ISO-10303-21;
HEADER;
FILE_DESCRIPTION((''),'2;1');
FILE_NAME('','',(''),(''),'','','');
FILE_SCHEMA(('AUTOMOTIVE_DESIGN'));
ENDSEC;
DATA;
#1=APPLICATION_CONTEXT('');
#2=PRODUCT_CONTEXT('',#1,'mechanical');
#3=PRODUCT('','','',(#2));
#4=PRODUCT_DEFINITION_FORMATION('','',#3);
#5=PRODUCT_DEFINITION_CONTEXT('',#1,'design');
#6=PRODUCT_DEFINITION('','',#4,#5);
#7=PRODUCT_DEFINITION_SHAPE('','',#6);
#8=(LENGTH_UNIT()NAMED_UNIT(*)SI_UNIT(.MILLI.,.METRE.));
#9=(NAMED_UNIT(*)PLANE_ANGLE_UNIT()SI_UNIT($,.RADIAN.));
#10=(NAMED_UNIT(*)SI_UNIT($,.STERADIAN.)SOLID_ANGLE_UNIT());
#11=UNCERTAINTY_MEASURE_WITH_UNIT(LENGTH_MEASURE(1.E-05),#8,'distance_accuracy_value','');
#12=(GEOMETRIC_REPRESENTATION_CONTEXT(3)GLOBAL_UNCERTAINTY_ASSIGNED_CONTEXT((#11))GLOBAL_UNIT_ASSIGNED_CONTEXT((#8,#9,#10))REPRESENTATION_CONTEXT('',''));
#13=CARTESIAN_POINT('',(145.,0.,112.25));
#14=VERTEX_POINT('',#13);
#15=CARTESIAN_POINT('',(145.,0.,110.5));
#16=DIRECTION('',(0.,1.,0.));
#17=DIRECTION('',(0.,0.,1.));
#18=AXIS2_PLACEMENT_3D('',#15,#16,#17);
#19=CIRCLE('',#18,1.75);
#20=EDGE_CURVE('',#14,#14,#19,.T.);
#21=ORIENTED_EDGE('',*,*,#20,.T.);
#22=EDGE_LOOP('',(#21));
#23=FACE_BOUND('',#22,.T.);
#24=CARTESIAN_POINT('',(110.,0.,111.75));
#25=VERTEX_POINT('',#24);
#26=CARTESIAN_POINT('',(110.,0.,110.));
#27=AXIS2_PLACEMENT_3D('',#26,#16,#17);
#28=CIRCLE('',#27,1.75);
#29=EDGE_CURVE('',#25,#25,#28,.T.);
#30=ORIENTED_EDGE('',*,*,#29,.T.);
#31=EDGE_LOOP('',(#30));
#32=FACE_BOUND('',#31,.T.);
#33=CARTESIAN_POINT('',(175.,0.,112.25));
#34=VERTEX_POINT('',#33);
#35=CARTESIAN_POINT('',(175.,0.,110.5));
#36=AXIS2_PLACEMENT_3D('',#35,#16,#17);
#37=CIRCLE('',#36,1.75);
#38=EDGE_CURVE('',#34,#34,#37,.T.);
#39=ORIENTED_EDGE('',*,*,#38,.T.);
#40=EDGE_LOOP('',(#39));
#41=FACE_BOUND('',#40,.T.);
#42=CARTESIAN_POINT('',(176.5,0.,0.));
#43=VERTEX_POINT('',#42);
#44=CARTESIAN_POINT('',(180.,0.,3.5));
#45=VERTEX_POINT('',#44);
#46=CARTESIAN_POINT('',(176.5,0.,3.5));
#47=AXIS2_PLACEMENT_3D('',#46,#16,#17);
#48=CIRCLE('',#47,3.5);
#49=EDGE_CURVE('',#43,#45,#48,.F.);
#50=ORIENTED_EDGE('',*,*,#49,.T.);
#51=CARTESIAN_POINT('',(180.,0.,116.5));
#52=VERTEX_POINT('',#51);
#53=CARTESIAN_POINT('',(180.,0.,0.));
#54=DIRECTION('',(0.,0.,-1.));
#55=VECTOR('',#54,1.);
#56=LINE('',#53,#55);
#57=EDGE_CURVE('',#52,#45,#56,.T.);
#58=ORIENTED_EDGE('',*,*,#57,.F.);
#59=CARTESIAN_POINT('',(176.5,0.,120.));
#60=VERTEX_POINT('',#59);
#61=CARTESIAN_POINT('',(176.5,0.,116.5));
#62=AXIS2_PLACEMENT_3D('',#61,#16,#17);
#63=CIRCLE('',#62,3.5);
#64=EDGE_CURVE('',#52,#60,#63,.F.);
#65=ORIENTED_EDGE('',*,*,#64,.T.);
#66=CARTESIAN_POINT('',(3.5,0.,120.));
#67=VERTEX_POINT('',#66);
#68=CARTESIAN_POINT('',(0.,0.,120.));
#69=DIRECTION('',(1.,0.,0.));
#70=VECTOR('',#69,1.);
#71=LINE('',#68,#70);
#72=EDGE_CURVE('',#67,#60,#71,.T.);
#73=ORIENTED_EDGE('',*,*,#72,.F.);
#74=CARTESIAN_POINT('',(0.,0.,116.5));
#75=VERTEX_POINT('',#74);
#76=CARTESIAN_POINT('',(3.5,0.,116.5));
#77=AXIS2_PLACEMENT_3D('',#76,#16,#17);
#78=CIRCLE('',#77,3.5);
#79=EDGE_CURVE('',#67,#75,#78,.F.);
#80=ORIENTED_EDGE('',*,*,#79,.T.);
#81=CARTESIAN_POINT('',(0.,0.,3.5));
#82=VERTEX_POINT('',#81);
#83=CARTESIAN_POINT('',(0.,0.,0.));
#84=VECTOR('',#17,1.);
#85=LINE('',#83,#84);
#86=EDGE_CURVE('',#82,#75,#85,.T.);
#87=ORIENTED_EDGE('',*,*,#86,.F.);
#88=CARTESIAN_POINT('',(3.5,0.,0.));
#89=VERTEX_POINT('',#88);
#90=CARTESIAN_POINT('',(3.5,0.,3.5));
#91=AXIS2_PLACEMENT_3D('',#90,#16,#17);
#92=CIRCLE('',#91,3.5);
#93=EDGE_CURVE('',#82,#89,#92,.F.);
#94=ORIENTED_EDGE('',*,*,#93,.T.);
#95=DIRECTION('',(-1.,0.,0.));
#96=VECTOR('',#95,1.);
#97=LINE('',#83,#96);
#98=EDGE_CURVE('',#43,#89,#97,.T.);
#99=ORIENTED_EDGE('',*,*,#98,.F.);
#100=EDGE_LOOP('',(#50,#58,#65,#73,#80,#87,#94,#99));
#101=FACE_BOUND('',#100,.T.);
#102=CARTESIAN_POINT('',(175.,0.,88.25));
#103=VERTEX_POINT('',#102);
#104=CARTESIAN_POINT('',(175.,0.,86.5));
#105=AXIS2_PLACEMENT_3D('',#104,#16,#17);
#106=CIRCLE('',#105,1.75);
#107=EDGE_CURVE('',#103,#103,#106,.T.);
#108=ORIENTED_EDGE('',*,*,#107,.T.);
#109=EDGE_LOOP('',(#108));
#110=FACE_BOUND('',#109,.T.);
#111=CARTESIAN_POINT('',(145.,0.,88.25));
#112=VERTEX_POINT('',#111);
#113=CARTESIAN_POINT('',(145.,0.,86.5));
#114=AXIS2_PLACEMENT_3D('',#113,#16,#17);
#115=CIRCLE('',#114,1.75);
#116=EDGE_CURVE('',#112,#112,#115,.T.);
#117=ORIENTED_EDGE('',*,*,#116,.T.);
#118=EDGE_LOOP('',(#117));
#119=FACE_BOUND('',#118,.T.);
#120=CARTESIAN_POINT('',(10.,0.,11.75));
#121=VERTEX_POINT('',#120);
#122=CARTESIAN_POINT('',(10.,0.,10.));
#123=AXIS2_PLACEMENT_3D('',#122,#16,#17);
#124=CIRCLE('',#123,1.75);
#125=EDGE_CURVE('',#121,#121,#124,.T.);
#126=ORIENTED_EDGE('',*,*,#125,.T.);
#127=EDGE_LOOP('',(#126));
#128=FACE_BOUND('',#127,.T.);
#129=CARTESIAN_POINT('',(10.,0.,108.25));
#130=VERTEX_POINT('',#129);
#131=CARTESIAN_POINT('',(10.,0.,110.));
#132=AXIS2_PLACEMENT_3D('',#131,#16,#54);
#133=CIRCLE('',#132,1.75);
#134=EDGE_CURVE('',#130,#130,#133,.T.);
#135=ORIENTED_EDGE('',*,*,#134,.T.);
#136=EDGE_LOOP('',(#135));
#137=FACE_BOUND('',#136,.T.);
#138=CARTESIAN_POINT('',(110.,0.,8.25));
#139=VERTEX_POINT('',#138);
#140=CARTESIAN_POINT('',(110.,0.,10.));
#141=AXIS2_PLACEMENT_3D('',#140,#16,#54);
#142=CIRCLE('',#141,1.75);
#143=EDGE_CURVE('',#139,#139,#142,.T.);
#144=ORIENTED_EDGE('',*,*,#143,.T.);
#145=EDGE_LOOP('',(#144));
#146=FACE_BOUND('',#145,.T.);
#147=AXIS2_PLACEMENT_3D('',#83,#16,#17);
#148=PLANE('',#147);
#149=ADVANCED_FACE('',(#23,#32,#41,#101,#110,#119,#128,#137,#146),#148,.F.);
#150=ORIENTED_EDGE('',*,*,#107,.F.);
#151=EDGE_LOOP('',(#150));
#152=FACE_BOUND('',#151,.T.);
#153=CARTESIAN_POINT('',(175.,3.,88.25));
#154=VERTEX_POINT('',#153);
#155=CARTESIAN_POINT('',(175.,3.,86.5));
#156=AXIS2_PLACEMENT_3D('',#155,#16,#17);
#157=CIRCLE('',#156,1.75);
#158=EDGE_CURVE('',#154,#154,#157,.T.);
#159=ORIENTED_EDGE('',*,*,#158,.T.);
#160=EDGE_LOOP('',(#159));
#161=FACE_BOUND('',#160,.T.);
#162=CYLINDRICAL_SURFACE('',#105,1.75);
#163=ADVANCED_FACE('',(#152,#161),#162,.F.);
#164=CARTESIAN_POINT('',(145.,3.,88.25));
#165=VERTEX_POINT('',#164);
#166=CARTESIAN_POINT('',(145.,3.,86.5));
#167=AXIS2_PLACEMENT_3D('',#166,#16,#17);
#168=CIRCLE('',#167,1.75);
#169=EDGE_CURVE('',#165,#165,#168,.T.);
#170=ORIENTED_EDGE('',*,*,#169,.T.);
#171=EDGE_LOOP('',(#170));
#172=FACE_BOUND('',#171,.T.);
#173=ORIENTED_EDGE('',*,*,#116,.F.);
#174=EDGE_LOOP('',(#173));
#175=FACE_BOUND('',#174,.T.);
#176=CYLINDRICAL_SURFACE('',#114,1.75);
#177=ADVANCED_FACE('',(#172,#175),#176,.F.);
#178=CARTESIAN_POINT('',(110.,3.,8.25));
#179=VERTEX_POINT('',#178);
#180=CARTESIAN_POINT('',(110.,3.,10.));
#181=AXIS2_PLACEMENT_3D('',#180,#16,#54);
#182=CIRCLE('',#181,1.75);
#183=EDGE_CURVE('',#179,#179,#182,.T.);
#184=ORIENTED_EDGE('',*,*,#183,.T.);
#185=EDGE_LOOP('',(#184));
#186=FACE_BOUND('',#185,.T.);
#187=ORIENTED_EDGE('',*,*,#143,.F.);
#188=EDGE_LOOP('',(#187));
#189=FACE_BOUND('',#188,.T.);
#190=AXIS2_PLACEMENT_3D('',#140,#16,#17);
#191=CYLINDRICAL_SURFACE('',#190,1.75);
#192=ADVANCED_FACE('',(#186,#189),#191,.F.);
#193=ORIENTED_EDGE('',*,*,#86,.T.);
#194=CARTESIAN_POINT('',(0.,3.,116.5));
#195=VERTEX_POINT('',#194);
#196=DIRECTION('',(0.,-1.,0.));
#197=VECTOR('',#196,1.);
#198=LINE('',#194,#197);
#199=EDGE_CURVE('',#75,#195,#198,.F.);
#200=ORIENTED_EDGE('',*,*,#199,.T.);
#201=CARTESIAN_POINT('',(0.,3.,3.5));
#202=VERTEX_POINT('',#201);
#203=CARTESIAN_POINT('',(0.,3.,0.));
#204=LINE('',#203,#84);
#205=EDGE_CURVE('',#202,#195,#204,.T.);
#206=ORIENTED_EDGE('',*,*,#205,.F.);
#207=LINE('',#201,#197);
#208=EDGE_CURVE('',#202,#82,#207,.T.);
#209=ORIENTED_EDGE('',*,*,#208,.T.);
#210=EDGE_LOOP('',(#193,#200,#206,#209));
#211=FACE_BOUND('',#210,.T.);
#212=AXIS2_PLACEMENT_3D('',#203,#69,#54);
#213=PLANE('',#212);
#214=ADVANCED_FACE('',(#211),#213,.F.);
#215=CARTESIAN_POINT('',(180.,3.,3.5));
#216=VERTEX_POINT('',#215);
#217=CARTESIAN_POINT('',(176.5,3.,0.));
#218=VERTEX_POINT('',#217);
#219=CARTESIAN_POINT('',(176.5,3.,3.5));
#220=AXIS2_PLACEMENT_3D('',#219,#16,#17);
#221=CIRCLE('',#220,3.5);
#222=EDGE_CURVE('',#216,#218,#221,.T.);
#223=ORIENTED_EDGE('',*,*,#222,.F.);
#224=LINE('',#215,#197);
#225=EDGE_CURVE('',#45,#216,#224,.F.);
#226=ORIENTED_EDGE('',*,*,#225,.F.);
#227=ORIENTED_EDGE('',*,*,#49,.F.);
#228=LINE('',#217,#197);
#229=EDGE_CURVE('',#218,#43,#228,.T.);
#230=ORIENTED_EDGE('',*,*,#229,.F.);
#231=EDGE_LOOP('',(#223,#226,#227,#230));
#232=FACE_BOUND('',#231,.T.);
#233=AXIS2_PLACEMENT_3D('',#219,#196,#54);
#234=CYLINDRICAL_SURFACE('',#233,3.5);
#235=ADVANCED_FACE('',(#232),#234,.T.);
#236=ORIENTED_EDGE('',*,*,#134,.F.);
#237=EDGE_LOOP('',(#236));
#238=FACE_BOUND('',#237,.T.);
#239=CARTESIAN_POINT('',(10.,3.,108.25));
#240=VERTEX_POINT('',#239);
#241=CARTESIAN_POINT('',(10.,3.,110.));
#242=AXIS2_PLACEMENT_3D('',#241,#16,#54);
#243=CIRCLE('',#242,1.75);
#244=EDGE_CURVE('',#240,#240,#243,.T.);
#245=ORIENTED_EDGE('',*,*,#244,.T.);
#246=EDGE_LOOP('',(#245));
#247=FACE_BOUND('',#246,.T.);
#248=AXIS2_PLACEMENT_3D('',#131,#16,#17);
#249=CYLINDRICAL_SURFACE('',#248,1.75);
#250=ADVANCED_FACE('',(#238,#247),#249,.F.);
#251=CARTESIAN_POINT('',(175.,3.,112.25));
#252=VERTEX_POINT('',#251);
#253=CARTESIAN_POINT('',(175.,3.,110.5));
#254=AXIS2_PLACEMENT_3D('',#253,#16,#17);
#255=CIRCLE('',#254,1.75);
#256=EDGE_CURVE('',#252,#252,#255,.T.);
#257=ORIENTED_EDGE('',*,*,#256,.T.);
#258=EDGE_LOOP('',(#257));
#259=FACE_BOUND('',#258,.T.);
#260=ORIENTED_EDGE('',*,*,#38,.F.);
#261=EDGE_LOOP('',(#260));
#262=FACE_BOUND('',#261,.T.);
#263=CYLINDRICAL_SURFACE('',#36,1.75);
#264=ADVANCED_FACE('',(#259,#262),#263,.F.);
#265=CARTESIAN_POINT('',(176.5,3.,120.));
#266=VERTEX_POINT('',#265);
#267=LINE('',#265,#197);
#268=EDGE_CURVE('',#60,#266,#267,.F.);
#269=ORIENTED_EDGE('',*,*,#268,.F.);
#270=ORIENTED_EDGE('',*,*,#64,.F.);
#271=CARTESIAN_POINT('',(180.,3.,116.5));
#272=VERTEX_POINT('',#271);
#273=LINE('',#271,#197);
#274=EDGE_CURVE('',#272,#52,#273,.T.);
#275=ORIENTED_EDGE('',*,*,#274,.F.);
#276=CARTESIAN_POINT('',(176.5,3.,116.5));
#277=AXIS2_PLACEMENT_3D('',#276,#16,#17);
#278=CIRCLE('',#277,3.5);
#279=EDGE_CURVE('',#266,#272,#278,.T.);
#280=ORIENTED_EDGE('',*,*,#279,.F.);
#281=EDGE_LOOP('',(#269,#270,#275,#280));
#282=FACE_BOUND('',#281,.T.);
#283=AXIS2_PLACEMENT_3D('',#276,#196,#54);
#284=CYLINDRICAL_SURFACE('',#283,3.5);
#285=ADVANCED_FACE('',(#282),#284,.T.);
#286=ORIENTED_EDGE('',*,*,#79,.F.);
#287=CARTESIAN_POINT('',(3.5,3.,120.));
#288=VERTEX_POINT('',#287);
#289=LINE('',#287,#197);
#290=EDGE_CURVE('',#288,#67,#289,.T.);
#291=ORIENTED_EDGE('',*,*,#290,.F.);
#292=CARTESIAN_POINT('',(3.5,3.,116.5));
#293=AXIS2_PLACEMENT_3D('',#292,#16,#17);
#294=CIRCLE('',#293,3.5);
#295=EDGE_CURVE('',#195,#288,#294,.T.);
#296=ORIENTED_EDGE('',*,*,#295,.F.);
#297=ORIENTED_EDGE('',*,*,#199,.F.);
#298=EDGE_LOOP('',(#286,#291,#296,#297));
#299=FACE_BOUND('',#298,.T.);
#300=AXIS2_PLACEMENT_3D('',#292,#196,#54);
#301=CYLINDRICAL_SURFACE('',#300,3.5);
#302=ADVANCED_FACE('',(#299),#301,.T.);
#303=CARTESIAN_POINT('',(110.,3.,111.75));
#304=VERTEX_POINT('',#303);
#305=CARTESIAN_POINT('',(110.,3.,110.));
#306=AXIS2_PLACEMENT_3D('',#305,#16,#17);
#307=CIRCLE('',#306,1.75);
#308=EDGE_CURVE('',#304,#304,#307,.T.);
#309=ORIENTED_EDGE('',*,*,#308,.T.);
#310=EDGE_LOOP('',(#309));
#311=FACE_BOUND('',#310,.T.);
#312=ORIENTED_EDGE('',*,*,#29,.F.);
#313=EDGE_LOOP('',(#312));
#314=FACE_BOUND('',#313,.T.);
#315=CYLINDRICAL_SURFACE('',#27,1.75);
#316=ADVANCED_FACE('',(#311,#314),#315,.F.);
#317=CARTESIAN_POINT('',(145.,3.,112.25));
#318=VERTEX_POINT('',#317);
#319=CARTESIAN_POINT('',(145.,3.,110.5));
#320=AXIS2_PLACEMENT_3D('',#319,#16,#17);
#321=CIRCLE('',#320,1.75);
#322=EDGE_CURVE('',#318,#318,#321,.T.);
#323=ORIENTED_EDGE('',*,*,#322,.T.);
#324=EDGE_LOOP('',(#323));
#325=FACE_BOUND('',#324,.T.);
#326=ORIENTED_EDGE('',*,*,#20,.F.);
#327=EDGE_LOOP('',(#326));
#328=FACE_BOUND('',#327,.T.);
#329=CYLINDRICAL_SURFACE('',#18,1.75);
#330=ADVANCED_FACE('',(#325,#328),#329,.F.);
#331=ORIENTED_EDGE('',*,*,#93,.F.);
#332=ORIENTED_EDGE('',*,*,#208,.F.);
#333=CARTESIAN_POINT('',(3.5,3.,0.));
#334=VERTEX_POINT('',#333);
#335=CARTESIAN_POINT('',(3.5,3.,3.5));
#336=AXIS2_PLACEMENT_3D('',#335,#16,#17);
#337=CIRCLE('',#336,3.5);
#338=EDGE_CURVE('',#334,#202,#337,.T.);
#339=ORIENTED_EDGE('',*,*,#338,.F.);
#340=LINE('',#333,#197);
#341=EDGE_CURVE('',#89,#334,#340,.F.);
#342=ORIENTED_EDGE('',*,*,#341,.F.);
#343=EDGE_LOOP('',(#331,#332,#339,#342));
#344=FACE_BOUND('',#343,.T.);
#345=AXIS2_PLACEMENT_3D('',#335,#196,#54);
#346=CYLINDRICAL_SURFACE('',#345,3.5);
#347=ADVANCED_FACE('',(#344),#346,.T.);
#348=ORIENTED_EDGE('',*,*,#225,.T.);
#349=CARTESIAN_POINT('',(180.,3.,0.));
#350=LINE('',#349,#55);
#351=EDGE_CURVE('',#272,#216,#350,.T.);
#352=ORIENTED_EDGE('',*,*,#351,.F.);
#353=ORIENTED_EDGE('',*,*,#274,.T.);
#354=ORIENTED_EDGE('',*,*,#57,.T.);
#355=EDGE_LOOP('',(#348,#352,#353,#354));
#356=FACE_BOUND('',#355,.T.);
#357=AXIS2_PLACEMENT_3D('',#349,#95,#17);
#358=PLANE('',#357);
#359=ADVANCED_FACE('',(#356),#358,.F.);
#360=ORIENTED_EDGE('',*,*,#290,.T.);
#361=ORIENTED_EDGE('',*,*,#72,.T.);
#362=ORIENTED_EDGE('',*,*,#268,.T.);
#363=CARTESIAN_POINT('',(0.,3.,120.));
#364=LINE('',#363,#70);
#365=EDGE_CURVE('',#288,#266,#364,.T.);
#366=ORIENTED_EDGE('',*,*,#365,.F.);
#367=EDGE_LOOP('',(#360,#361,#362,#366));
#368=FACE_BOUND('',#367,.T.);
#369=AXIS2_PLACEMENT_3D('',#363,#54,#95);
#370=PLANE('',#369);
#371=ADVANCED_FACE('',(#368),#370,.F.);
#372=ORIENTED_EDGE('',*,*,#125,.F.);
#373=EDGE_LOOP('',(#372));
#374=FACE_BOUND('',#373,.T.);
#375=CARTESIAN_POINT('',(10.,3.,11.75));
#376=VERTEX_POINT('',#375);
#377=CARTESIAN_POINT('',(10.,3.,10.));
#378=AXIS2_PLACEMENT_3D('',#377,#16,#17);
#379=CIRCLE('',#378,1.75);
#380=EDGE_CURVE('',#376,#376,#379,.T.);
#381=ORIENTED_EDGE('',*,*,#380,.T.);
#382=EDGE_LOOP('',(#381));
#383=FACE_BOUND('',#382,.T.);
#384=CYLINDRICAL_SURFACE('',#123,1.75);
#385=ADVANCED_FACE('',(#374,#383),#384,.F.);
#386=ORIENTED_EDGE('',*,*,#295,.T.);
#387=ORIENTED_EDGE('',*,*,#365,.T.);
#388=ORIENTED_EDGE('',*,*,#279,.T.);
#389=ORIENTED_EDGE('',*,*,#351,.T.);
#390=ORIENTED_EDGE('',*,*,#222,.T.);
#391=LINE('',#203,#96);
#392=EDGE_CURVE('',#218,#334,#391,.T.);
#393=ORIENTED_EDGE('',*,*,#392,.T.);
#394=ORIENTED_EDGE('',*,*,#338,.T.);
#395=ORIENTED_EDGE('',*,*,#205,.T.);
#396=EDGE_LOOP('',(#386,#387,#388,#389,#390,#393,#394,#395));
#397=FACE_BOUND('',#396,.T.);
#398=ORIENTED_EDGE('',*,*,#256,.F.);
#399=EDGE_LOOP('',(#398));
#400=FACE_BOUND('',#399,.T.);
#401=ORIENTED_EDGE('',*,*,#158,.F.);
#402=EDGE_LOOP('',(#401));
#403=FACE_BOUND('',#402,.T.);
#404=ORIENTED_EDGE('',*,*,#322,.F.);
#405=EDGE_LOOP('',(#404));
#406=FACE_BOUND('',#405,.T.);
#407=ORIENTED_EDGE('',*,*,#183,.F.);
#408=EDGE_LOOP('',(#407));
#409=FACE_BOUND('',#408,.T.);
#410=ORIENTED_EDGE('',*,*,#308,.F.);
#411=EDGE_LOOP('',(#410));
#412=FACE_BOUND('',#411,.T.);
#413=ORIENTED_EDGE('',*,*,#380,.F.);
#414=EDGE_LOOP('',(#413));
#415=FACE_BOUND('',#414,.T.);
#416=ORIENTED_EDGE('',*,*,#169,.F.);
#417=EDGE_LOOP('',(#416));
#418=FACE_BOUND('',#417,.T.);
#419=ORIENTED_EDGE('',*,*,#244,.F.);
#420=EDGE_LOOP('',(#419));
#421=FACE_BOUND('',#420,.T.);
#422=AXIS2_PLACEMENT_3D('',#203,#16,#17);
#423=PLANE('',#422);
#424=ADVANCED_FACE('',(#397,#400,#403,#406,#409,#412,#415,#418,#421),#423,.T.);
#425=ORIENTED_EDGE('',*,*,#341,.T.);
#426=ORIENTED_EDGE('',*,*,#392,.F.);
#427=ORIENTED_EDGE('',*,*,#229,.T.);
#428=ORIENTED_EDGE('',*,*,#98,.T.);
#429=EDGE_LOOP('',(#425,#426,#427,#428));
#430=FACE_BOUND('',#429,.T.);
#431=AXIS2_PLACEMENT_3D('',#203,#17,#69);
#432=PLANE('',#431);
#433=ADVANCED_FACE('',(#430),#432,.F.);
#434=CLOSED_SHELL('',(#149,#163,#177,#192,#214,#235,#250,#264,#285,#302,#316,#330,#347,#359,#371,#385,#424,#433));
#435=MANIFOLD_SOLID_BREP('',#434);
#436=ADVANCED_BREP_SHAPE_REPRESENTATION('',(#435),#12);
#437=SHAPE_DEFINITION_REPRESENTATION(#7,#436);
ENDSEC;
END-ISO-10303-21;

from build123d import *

# Parameters (mm, degrees)
SKETCH_2_W          = 180
SKETCH_2_H          = 120
EXTRUDE_1_DEPTH     = 3
FILLET_1_R          = 3.5
SKETCH_3_R          = 1.75
CUT_EXTRUDE_1_DEPTH = 4
SKETCH_4_R          = 1.75
CUT_EXTRUDE_2_DEPTH = 4


with BuildPart() as part:
    # 草图2 → 凸台-拉伸1 (new body)
    with BuildSketch(Plane(origin=(0, 0, 0), x_dir=(1, 0, 0), z_dir=(0, 1, 0))):
        with Locations((90, -60)):
            Rectangle(SKETCH_2_W, SKETCH_2_H)
    extrude(amount=EXTRUDE_1_DEPTH)

    # 圆角1
    fillet_1_edges = [part.edges().sort_by_distance(p)[0] for p in [
        (0, 1.5, 0),
        (180, 1.5, 0),
        (180, 1.5, 120),
        (0, 1.5, 120),
    ]]
    fillet(fillet_1_edges, radius=FILLET_1_R)

    # 草图3 → 切除-拉伸1 (cut, through all)
    with BuildSketch(Plane(origin=(0, 3, 0), x_dir=(1, 0, 0), z_dir=(0, 1, 0))):
        with Locations((175, -110.5)):
            Circle(SKETCH_3_R)
        with Locations((145, -110.5)):
            Circle(SKETCH_3_R)
        with Locations((175, -86.5)):
            Circle(SKETCH_3_R)
        with Locations((145, -86.5)):
            Circle(SKETCH_3_R)
    extrude(amount=-CUT_EXTRUDE_1_DEPTH, mode=Mode.SUBTRACT)

    # 草图4 → 切除-拉伸2 (cut, through all)
    with BuildSketch(Plane(origin=(0, 3, 0), x_dir=(1, 0, 0), z_dir=(0, 1, 0))):
        with Locations((110, -110)):
            Circle(SKETCH_4_R)
        with Locations((110, -10)):
            Circle(SKETCH_4_R)
        with Locations((10, -10)):
            Circle(SKETCH_4_R)
        with Locations((10, -110)):
            Circle(SKETCH_4_R)
    extrude(amount=-CUT_EXTRUDE_2_DEPTH, mode=Mode.SUBTRACT)


solid = part.part
